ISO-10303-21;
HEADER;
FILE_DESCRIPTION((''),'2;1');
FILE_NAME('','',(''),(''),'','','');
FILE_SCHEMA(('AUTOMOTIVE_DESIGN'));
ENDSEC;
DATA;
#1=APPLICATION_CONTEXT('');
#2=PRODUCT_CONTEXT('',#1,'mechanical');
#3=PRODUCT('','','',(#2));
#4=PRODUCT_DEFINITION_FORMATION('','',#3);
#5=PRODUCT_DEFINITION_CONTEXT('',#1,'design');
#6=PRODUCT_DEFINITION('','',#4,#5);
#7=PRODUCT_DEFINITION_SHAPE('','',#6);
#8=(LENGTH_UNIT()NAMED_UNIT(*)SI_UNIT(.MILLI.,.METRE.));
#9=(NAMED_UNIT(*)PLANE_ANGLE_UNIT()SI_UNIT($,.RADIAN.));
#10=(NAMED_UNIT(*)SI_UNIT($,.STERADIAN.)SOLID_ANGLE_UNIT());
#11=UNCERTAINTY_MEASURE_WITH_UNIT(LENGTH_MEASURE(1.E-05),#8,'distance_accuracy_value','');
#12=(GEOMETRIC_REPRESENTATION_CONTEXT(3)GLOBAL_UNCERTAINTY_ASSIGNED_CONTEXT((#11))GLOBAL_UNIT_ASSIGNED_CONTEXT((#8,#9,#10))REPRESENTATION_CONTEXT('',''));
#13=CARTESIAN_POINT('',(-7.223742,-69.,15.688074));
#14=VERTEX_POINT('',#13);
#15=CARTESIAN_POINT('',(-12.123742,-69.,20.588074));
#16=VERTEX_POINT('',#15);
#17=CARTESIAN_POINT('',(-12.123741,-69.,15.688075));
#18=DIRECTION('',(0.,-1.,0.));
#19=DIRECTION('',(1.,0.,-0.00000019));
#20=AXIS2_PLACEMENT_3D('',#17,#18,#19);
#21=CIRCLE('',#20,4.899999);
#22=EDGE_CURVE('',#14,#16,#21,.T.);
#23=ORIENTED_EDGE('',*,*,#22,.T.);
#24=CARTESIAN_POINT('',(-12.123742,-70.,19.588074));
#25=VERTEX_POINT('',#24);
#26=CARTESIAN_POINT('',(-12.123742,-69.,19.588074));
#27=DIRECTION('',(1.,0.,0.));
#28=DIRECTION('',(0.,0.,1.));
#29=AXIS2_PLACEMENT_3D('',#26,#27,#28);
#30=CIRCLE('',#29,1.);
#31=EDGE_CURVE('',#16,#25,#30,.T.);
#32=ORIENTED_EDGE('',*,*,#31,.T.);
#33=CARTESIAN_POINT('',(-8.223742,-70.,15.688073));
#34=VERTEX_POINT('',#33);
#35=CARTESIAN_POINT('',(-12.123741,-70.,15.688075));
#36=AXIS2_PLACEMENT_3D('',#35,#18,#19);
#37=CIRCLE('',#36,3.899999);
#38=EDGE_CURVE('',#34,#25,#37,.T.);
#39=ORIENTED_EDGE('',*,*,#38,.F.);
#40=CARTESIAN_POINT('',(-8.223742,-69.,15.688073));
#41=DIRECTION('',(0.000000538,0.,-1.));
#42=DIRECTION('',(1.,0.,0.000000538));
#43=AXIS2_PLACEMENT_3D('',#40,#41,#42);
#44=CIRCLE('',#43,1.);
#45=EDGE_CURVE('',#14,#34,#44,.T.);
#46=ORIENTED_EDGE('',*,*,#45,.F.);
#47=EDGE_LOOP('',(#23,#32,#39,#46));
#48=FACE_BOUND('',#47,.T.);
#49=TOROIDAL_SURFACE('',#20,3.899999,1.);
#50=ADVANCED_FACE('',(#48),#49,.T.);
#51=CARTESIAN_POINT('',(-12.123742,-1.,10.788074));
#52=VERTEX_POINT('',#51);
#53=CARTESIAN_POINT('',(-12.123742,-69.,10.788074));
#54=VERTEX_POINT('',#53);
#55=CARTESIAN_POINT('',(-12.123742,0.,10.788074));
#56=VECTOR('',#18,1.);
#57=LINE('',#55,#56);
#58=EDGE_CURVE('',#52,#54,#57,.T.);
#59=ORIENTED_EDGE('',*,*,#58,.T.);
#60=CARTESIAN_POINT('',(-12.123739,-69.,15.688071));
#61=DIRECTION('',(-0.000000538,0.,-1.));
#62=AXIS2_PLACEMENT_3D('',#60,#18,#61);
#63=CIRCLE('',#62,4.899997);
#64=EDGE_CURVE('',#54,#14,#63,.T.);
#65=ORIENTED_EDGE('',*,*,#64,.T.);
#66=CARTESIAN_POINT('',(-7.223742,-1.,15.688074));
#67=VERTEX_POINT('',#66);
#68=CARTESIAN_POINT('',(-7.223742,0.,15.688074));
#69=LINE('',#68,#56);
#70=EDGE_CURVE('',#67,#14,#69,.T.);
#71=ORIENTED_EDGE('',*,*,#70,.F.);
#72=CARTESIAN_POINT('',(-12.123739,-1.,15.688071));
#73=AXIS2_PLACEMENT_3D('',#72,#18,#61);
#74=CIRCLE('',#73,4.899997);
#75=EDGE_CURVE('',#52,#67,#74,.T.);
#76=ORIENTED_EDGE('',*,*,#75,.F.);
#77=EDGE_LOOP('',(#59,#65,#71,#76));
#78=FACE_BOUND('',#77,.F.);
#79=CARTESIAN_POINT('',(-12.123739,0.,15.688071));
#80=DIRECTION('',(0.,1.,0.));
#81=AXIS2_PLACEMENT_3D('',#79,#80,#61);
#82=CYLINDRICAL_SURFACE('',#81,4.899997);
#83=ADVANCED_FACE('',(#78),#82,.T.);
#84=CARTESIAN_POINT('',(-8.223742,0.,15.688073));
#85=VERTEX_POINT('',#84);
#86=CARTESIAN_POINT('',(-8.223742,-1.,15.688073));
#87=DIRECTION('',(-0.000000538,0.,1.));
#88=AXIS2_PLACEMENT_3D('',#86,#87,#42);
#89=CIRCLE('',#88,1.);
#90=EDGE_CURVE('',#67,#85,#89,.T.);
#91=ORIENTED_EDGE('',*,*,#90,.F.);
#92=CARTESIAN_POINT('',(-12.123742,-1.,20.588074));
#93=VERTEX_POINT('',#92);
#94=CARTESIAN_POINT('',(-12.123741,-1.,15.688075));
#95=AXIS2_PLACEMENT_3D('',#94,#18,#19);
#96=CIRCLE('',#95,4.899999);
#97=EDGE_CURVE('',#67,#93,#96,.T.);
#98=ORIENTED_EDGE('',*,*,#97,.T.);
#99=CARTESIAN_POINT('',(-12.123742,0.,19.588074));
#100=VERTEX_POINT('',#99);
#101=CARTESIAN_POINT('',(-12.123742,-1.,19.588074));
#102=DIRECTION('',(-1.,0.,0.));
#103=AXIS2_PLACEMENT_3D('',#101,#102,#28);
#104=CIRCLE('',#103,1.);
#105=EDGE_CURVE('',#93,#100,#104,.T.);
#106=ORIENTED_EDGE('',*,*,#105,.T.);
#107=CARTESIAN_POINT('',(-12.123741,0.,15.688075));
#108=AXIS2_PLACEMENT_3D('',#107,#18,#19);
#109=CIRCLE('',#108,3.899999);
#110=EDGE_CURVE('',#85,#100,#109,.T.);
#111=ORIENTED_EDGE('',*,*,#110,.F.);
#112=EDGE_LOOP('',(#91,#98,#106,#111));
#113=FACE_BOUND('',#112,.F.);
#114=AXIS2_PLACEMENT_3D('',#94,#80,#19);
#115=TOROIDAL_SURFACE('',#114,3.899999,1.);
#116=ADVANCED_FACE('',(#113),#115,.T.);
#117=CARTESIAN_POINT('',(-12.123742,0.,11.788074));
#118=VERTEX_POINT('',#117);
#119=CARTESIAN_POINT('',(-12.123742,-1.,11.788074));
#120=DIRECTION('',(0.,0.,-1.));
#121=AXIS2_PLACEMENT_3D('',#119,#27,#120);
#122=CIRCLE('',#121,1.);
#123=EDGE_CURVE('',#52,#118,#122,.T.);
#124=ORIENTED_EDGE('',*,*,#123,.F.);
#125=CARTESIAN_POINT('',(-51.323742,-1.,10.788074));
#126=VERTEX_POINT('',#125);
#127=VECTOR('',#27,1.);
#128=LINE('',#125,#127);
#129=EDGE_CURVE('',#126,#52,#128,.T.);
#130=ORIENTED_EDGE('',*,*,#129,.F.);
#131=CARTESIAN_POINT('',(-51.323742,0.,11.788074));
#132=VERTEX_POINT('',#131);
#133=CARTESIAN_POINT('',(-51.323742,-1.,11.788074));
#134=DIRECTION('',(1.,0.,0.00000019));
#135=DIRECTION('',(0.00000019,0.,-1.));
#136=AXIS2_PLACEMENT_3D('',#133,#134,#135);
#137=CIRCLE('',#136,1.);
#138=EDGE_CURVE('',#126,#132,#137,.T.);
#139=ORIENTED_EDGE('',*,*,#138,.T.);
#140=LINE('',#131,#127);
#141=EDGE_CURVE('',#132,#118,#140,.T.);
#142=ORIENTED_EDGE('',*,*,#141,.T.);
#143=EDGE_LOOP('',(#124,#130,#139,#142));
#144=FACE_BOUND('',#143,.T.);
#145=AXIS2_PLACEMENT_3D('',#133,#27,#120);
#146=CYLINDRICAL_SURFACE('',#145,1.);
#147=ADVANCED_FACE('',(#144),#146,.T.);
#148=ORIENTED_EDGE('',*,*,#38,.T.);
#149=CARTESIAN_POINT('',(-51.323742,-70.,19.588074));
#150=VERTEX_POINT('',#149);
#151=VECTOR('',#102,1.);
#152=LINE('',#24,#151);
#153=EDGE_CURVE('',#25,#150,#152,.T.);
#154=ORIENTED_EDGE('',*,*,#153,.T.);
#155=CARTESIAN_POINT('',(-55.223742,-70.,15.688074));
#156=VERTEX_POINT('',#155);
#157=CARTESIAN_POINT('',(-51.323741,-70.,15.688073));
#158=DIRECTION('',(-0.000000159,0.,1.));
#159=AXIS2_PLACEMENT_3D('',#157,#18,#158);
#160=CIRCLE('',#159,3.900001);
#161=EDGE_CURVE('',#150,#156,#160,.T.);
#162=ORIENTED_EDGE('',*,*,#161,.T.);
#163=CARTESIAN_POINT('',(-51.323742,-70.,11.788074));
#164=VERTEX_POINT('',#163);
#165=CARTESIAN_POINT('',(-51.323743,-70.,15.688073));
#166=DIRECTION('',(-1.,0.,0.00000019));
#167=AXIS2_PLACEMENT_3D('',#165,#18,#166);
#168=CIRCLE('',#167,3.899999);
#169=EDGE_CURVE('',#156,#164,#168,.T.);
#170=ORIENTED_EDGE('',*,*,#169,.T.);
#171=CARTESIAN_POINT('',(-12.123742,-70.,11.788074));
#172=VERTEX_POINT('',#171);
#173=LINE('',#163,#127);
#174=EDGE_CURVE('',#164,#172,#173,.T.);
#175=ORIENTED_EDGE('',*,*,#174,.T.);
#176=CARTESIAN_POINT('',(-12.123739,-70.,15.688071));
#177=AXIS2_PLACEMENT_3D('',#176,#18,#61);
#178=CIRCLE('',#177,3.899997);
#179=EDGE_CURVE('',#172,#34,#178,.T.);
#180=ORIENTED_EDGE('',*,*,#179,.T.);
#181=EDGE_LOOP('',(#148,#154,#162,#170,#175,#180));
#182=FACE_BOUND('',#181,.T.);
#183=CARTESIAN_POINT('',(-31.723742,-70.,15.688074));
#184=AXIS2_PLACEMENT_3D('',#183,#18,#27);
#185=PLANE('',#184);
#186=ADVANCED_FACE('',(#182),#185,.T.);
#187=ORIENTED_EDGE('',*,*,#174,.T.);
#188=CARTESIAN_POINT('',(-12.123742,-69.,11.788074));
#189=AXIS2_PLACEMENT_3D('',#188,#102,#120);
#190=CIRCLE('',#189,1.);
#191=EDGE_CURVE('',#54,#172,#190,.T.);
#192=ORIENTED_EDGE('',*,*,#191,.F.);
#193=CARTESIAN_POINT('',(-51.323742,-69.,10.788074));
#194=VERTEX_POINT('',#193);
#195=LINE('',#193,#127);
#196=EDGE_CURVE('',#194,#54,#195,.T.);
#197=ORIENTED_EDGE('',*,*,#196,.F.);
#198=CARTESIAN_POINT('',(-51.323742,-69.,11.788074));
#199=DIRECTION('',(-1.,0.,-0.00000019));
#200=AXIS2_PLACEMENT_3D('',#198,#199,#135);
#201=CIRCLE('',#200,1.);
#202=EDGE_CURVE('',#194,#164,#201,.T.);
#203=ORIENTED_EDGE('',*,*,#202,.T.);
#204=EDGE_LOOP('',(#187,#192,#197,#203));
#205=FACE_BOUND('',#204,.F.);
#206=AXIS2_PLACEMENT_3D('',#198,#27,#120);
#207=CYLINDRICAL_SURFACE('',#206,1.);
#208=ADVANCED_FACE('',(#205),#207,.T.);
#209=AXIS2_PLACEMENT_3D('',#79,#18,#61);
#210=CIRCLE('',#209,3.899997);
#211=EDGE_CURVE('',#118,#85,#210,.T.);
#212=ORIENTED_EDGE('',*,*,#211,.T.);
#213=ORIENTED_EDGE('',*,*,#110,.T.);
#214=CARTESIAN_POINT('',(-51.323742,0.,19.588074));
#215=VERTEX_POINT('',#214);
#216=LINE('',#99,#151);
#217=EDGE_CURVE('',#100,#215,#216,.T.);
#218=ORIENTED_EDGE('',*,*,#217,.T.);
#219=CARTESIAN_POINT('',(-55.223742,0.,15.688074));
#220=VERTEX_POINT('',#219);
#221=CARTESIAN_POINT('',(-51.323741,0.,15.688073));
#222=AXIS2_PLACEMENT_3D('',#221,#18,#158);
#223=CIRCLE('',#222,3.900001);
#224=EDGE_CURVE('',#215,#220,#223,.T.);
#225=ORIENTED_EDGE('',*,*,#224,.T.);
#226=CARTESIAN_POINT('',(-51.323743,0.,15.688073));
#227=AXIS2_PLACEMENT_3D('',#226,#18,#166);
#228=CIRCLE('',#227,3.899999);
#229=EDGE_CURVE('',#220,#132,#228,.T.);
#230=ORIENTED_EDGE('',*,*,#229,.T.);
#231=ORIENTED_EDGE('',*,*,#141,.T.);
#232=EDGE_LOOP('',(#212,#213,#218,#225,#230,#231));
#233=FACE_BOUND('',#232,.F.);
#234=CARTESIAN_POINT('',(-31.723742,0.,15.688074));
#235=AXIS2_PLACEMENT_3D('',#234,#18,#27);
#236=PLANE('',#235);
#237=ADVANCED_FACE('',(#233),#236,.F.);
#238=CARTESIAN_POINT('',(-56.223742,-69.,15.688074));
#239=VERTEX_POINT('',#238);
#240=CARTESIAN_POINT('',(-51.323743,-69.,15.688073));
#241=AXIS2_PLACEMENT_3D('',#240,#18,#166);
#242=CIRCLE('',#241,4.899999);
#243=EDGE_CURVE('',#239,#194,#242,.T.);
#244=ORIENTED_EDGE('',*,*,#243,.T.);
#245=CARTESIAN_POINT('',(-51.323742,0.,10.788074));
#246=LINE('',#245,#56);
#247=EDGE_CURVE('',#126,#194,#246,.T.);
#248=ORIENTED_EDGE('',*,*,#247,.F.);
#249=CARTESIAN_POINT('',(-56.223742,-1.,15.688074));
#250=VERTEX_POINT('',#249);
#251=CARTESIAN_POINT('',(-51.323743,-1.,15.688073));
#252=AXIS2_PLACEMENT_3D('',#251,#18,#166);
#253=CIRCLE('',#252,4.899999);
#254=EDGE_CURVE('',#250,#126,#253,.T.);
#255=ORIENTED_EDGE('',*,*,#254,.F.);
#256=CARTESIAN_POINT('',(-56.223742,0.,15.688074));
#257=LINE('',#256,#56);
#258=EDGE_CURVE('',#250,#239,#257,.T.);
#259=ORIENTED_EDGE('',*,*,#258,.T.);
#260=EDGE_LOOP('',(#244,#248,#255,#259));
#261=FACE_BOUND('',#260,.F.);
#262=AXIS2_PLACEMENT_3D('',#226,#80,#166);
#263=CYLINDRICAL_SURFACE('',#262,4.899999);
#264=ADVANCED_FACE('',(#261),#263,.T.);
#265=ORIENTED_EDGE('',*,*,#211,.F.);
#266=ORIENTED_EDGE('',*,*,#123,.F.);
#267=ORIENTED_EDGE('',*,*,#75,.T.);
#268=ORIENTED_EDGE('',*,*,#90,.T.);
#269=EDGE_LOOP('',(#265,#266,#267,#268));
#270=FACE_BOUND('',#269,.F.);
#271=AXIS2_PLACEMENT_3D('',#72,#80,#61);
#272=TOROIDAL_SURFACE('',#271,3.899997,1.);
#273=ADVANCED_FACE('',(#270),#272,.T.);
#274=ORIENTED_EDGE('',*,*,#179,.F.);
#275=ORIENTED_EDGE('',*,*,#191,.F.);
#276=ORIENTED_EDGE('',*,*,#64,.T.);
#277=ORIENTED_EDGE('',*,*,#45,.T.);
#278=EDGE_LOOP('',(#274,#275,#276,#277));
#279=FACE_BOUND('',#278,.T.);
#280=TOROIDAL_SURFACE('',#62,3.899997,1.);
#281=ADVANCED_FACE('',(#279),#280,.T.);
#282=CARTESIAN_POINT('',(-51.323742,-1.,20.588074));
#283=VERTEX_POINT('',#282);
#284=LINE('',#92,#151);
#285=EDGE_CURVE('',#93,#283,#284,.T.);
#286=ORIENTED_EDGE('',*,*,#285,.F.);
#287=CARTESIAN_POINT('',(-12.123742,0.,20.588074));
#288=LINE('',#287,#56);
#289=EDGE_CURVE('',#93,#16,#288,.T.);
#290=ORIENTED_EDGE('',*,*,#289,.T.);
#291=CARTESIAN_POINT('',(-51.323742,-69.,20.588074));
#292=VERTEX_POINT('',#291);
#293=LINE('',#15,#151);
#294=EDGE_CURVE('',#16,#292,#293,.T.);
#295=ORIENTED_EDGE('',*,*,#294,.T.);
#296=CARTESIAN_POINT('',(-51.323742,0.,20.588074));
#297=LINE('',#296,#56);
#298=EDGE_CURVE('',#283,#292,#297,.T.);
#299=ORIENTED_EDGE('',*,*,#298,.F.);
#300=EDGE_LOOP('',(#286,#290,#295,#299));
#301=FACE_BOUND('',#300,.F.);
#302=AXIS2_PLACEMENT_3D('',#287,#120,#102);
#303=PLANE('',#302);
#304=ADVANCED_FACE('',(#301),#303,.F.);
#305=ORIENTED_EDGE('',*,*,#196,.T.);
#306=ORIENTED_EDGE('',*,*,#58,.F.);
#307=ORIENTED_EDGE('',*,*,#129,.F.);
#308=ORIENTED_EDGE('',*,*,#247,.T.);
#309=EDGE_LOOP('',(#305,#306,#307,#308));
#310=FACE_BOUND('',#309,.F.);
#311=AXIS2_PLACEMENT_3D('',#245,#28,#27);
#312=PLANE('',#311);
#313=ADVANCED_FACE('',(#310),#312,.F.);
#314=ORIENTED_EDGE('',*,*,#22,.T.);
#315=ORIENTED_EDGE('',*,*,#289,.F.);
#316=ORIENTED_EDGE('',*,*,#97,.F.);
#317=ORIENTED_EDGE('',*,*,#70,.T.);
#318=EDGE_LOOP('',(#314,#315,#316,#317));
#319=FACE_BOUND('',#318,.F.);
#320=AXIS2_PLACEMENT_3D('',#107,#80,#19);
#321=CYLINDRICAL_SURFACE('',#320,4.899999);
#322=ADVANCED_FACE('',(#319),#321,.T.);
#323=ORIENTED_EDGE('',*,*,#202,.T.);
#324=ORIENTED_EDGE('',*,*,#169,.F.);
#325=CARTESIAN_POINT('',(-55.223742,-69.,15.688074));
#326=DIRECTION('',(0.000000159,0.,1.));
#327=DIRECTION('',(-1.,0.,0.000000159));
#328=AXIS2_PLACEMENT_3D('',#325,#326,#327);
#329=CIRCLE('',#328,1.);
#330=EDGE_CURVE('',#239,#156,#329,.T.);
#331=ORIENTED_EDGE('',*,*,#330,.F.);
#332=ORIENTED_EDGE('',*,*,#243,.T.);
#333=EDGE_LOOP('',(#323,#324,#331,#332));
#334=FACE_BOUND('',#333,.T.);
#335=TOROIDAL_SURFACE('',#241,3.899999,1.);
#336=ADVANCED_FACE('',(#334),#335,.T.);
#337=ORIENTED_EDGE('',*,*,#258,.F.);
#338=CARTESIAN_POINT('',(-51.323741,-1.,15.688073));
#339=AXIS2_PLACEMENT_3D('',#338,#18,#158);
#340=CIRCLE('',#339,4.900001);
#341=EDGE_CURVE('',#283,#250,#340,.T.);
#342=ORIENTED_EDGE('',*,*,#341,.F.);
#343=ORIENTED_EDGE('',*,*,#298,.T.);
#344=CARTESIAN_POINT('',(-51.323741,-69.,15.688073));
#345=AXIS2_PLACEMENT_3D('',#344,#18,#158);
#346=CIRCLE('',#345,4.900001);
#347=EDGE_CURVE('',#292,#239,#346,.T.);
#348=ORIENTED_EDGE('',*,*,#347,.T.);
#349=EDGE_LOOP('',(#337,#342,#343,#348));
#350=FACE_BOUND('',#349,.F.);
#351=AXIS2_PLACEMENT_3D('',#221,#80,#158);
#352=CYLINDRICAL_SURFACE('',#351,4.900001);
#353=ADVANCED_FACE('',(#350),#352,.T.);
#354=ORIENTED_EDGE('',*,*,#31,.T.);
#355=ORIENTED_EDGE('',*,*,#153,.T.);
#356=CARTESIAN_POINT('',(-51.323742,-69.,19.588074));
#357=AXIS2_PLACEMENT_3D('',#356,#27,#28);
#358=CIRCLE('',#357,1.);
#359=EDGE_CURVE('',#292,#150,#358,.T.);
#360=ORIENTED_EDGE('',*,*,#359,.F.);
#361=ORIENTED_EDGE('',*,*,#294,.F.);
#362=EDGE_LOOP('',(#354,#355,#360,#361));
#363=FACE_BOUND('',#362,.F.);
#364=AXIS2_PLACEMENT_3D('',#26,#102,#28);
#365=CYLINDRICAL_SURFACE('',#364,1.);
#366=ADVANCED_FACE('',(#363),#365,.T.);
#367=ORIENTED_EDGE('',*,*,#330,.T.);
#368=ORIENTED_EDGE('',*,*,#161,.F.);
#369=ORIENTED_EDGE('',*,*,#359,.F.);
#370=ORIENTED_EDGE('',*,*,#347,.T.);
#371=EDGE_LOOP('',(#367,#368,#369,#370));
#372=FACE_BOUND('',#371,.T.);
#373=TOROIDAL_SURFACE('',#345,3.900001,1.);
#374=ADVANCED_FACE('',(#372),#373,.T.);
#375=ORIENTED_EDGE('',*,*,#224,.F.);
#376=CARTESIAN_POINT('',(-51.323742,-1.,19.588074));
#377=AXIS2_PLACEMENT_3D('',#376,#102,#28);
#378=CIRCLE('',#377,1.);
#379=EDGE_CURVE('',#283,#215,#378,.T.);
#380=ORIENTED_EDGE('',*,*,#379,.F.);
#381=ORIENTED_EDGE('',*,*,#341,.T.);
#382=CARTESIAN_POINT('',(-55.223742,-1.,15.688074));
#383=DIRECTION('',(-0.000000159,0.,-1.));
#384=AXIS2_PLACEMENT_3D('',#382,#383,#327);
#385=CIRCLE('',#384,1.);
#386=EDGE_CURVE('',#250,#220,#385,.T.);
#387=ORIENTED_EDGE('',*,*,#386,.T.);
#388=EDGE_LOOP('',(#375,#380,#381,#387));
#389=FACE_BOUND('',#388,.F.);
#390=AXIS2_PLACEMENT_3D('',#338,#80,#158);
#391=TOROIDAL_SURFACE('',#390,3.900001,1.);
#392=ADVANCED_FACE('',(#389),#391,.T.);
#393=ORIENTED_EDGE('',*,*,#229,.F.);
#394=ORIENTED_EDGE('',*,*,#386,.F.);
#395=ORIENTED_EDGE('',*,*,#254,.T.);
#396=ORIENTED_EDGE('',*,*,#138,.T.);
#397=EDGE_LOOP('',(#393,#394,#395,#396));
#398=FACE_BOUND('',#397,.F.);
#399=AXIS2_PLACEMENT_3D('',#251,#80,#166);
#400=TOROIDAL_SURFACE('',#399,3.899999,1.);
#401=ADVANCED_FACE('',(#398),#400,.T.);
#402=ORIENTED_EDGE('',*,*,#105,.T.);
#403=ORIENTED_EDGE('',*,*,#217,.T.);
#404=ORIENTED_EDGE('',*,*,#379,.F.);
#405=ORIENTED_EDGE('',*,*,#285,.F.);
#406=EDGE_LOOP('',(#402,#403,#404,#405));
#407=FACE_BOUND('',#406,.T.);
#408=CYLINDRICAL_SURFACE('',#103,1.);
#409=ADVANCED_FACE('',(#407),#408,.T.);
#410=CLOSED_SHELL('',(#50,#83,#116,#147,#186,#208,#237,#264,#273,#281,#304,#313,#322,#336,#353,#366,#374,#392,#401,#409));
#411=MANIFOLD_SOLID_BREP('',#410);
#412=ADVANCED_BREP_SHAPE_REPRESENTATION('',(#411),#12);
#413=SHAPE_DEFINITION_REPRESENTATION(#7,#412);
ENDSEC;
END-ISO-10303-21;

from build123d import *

# Parameters (mm, degrees)
F1_DEPTH = 70
F2_R     = 1


with BuildPart() as f1:
    # F0 (on Front) → F1 (new body)
    with BuildSketch(Plane.XZ):
        with BuildLine():
            Line((-12.123742, 20.588074), (-51.323742, 20.588074))
            ThreePointArc((-51.323742, 20.588074), (-54.788565, 19.152897), (-56.223742, 15.688074))
            ThreePointArc((-56.223742, 15.688074), (-54.788565, 12.22325), (-51.323742, 10.788074))
            Line((-51.323742, 10.788074), (-12.123742, 10.788074))
            ThreePointArc((-12.123742, 10.788074), (-8.658918, 12.22325), (-7.223742, 15.688074))
            ThreePointArc((-7.223742, 15.688074), (-8.658918, 19.152897), (-12.123742, 20.588074))
        make_face()
    extrude(amount=F1_DEPTH)

    # F2
    f2_edges = [f1.edges().sort_by_distance(p)[0] for p in [
        (-31.723742, -70, 20.588074),
        (-56.223742, -70, 15.688074),
        (-31.723742, -70, 10.788074),
        (-7.223742, -70, 15.688074),
        (-56.223742, 0, 15.688074),
        (-31.723742, 0, 20.588074),
        (-31.723742, 0, 10.788074),
        (-7.223742, 0, 15.688074),
    ]]
    fillet(f2_edges, radius=F2_R)


solid = f1.part
